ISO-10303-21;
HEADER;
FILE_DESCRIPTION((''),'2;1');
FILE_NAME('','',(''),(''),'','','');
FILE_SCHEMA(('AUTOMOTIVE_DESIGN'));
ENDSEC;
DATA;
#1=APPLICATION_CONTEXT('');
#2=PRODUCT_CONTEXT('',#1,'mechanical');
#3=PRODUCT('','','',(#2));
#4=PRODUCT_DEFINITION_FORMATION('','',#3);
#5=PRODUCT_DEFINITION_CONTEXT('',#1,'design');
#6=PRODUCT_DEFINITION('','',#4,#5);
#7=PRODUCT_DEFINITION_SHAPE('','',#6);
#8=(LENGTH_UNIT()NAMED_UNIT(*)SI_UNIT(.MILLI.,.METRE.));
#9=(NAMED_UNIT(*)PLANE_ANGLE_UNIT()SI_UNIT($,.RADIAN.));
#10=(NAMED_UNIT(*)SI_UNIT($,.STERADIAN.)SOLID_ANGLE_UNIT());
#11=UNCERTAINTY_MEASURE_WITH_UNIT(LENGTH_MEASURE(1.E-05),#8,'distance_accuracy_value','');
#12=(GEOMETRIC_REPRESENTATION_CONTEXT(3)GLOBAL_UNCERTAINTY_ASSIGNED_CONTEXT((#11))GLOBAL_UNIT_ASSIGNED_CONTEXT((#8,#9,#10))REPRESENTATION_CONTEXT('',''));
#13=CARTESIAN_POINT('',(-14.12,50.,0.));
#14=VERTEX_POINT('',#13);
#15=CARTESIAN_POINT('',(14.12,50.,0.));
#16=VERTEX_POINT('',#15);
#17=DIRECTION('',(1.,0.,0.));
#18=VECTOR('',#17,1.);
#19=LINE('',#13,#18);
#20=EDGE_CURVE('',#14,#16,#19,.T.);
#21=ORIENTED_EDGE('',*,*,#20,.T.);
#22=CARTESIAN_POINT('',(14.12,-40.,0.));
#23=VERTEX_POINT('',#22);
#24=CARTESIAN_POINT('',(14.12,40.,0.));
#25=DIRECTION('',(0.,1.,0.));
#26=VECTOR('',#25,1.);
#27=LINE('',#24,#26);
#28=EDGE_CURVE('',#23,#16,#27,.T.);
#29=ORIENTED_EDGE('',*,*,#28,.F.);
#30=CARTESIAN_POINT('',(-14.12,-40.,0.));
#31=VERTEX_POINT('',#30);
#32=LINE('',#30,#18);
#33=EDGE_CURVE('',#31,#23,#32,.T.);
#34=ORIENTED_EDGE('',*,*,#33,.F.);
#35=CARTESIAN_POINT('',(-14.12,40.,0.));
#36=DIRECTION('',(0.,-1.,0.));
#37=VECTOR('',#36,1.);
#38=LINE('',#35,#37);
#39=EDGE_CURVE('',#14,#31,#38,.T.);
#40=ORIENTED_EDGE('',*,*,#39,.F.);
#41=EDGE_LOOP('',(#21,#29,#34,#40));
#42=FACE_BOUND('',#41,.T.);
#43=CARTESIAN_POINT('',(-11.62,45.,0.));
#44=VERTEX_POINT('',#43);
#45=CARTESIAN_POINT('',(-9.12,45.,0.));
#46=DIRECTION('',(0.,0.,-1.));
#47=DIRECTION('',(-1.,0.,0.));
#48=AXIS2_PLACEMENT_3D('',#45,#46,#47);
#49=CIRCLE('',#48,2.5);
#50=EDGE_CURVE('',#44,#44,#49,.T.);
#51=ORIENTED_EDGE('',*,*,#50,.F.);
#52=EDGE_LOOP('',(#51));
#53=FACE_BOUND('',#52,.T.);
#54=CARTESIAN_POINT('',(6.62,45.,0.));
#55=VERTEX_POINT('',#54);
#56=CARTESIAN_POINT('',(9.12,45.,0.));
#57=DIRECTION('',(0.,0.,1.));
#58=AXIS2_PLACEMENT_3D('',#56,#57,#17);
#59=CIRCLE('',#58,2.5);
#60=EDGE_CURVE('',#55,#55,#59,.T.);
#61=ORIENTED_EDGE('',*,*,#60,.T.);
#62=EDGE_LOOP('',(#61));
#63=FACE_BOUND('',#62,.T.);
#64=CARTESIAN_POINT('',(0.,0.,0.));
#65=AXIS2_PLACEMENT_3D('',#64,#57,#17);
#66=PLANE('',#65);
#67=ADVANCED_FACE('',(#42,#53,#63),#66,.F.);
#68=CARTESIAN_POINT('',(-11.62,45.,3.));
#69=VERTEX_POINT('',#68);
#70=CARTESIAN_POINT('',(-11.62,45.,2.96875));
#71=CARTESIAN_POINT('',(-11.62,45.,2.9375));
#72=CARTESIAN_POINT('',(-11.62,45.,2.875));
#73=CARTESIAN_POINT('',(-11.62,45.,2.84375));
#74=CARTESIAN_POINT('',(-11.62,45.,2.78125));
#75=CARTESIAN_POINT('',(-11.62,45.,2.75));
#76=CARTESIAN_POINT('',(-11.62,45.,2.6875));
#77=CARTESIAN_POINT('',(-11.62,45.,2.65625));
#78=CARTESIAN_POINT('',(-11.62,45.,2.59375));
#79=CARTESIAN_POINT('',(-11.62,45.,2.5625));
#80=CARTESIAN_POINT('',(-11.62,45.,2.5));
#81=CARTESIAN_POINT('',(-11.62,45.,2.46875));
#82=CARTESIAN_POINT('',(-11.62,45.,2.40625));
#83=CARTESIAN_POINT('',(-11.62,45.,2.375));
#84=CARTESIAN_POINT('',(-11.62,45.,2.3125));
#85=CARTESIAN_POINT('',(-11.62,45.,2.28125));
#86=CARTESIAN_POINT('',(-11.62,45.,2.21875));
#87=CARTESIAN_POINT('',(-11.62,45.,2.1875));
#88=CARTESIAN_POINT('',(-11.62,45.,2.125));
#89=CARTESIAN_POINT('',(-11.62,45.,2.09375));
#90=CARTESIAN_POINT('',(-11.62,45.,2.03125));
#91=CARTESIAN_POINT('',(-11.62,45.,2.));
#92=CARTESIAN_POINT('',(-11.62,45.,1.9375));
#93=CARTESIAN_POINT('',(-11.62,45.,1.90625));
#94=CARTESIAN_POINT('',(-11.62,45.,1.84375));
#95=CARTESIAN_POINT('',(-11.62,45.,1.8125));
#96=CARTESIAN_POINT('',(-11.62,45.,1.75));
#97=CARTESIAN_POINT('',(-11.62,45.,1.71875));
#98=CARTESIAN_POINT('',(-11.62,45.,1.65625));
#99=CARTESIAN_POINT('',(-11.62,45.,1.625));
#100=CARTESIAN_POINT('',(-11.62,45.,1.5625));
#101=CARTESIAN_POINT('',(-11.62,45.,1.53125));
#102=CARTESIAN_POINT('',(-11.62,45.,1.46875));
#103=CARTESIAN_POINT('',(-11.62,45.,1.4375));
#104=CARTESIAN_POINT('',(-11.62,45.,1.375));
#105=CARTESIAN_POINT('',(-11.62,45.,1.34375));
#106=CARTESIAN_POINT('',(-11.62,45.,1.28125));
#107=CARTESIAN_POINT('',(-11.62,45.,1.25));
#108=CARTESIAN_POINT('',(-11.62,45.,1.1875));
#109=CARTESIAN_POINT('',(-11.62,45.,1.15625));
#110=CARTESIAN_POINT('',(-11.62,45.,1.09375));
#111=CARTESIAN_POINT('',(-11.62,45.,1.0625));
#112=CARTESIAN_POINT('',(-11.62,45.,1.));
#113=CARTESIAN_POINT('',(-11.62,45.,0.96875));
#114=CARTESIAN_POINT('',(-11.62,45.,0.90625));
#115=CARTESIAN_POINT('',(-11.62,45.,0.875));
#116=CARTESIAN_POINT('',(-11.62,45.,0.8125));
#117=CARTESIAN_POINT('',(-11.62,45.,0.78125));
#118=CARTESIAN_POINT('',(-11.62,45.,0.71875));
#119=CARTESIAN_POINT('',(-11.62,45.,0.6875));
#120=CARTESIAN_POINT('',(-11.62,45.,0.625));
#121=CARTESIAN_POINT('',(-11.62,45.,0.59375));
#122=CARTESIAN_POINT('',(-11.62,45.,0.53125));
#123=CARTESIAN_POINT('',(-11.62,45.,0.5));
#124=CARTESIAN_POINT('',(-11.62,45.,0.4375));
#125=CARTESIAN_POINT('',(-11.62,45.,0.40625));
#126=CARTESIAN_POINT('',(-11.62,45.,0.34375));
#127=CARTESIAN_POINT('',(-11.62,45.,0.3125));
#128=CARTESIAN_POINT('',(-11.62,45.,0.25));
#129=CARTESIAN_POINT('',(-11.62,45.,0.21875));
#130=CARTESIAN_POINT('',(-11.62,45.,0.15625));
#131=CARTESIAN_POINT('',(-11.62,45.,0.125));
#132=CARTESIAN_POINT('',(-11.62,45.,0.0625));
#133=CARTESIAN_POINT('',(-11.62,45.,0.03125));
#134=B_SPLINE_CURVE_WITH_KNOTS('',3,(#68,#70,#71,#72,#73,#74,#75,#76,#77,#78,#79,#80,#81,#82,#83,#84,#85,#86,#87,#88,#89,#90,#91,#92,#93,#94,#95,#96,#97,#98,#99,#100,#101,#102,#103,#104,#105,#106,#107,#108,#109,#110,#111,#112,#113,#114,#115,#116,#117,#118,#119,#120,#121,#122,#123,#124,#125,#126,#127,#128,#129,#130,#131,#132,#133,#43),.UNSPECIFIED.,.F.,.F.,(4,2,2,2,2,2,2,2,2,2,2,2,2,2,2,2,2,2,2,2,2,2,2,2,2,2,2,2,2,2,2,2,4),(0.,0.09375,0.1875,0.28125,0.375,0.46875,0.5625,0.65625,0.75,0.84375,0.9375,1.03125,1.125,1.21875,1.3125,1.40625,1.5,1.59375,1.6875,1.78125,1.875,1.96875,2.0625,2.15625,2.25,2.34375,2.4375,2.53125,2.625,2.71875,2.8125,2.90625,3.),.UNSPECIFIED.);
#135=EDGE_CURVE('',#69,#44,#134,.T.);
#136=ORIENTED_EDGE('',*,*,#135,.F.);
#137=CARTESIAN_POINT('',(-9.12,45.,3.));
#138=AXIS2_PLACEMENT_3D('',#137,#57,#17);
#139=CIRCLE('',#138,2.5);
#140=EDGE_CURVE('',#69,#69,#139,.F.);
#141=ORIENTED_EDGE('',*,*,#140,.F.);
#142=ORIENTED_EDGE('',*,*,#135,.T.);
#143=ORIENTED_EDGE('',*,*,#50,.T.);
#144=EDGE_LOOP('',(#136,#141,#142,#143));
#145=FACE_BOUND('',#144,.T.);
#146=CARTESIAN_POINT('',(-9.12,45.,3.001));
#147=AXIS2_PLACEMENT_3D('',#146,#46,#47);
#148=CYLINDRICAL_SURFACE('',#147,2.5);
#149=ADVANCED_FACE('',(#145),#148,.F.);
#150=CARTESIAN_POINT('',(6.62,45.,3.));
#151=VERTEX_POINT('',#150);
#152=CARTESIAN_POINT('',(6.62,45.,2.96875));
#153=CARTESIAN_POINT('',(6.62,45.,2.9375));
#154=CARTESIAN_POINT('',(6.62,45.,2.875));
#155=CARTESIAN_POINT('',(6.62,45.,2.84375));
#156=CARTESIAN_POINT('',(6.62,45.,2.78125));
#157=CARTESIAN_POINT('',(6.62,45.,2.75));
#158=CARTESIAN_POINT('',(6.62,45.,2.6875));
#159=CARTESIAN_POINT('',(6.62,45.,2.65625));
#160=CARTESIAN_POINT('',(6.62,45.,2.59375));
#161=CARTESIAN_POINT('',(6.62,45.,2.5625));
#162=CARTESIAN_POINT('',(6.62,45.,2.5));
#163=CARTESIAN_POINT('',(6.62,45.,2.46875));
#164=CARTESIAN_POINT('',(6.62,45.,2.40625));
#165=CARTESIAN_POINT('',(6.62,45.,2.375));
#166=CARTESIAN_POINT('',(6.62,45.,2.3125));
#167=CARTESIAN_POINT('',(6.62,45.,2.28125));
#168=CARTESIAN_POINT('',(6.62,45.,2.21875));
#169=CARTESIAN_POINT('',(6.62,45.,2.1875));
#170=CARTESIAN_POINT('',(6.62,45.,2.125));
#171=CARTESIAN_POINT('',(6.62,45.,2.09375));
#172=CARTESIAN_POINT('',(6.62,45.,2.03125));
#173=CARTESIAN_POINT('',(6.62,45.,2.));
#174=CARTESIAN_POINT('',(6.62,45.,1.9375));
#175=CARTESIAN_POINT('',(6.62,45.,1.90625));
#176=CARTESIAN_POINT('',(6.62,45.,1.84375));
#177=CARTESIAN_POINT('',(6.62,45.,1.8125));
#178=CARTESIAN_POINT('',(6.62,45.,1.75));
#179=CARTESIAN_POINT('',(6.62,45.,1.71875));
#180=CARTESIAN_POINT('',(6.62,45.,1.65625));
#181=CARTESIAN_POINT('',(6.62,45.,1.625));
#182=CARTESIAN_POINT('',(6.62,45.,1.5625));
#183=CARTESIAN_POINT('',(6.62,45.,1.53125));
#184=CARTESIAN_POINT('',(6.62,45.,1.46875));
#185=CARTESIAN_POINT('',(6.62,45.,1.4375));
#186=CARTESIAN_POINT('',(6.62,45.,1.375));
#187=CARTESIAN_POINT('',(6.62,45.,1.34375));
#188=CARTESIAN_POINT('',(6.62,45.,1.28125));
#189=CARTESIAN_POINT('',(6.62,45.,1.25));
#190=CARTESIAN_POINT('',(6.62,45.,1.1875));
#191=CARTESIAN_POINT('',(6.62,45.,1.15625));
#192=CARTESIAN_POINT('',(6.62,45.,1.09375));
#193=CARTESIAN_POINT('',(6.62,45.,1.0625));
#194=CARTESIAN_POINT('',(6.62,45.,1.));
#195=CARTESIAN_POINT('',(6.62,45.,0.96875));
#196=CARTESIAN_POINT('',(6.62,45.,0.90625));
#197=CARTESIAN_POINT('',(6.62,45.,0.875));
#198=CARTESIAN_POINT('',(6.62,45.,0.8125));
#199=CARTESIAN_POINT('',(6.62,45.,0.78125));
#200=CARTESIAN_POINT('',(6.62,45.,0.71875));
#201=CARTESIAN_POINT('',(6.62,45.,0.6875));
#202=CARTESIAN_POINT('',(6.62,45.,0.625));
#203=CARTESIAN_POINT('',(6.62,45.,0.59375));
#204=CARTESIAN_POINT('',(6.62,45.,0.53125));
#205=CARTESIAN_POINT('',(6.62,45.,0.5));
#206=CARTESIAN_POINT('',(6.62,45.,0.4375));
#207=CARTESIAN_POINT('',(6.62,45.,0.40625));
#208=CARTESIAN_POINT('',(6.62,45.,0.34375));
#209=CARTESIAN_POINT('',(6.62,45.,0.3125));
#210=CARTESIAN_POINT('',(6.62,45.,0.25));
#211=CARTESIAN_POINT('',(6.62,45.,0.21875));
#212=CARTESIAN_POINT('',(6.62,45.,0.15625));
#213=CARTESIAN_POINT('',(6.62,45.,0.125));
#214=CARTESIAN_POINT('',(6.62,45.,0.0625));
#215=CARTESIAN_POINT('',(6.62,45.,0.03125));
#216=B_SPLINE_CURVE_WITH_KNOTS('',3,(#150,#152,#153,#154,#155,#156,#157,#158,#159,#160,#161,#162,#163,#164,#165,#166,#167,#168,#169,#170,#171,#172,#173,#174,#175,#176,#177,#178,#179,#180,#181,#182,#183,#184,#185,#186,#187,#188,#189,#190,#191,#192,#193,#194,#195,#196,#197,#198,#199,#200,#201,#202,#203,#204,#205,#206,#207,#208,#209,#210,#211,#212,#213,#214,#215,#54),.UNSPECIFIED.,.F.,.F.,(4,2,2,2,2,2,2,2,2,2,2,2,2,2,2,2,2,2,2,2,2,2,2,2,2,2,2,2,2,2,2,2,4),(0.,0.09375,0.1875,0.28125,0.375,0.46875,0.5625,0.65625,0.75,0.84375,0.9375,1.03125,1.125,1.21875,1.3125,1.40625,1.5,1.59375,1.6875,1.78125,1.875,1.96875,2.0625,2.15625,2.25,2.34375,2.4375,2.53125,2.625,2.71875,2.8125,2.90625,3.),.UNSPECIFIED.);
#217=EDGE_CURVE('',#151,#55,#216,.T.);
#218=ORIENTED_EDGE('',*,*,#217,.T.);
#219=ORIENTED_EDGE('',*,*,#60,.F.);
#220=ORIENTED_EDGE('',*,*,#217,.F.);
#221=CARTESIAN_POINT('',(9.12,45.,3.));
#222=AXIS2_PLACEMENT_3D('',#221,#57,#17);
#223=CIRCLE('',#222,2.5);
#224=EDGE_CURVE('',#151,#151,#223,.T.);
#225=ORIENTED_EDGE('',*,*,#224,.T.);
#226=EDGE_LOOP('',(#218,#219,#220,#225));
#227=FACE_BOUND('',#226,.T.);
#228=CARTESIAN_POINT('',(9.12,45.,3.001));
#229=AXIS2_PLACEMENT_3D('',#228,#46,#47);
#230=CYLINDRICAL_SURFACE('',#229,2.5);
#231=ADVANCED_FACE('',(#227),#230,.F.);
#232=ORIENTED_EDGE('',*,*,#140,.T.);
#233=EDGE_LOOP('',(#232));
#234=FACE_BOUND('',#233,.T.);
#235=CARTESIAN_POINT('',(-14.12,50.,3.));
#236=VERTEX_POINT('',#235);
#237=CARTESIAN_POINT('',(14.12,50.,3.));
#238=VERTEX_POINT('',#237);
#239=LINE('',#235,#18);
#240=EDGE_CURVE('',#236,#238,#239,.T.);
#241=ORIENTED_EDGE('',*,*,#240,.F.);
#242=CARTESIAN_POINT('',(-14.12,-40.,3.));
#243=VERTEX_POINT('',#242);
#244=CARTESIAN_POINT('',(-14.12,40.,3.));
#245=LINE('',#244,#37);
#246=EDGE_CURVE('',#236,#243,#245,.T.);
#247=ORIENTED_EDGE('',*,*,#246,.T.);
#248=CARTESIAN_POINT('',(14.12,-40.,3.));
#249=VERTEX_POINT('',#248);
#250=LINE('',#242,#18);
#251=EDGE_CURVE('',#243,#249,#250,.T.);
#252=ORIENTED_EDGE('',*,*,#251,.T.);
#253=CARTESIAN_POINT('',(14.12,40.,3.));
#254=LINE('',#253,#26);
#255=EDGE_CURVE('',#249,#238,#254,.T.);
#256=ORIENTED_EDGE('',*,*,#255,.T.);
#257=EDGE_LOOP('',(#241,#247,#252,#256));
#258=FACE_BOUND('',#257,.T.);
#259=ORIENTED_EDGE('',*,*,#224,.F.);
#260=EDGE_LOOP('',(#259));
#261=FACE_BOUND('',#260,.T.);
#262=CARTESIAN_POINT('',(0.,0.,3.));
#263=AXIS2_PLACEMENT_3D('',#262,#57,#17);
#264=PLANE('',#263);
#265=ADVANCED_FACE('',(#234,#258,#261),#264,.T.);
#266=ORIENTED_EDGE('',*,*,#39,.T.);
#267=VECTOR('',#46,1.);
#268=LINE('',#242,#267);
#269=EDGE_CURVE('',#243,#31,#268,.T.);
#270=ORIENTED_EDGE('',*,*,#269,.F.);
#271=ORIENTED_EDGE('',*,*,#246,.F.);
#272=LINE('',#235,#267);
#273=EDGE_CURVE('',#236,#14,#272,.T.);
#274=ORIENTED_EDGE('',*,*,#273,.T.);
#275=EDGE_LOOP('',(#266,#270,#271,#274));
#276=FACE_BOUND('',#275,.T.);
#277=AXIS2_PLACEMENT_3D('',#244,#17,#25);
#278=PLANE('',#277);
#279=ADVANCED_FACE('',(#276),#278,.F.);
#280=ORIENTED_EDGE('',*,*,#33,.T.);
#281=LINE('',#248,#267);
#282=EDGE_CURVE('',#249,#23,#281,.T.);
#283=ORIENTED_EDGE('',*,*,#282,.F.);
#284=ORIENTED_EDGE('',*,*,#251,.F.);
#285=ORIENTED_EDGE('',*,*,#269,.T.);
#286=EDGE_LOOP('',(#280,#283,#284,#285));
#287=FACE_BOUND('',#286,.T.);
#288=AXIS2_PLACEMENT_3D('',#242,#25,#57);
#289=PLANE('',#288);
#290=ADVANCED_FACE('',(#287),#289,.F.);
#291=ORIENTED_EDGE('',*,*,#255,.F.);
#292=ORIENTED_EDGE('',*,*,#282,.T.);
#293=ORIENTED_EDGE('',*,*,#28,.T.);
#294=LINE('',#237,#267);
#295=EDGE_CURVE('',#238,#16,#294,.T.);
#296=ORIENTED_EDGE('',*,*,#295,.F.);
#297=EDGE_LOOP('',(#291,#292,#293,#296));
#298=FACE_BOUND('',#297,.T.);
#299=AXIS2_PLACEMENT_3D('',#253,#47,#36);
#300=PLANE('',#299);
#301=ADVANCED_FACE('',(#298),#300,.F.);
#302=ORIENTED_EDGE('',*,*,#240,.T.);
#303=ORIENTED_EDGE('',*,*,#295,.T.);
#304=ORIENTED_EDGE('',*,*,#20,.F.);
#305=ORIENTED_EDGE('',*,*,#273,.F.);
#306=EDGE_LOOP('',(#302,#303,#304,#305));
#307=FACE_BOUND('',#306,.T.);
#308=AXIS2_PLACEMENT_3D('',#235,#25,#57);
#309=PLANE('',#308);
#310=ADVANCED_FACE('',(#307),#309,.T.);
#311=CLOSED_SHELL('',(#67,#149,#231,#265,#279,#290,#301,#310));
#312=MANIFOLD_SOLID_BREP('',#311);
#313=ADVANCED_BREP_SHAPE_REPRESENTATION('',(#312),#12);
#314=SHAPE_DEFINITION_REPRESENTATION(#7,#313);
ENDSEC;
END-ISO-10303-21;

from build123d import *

# Parameters (mm, degrees)
SKETCH1_W           = 28.24
SKETCH1_H           = 80
BOSS_EXTRUDE1_DEPTH = 3
SKETCH3_W           = 28.24
SKETCH3_H           = 10
BOSS_EXTRUDE3_DEPTH = 3
CUT_EXTRUDE1_REACH  = 54.042
SKETCH4_R           = 2.5


with BuildPart() as part:
    # Sketch1 → Boss-Extrude1 (new body)
    with BuildSketch(Plane.XY):
        Rectangle(SKETCH1_W, SKETCH1_H)
    extrude(amount=BOSS_EXTRUDE1_DEPTH)

    # Sketch3 → Boss-Extrude3 (add)
    with BuildSketch(Plane(origin=(0, 0, 0), x_dir=(-1, 0, 0), z_dir=(0, 0, -1))):
        with Locations((0, 45)):
            Rectangle(SKETCH3_W, SKETCH3_H)
    extrude(amount=-BOSS_EXTRUDE3_DEPTH)

    # Sketch4 → Cut-Extrude1 (cut, up to next)
    with BuildSketch(Plane(origin=(0, 0, 0), x_dir=(-1, 0, 0), z_dir=(0, 0, -1)), mode=Mode.PRIVATE) as cut_extrude1_sk1:
        with Locations((9.12, 45)):
            Circle(SKETCH4_R)
    cut_extrude1_tool1 = extrude(cut_extrude1_sk1.sketch, amount=-CUT_EXTRUDE1_REACH, mode=Mode.PRIVATE) & part.part
    cut_extrude1 = cut_extrude1_tool1.solids().sort_by_distance((-9.12, 45, 0))[0]
    add(cut_extrude1, mode=Mode.SUBTRACT)

    # Mirror1: Cut-Extrude1 across plane
    add(cut_extrude1.mirror(Plane(origin=(0, 0, 0), x_dir=(0, 0, 1), z_dir=(1, 0, 0))), mode=Mode.SUBTRACT)


solid = part.part
